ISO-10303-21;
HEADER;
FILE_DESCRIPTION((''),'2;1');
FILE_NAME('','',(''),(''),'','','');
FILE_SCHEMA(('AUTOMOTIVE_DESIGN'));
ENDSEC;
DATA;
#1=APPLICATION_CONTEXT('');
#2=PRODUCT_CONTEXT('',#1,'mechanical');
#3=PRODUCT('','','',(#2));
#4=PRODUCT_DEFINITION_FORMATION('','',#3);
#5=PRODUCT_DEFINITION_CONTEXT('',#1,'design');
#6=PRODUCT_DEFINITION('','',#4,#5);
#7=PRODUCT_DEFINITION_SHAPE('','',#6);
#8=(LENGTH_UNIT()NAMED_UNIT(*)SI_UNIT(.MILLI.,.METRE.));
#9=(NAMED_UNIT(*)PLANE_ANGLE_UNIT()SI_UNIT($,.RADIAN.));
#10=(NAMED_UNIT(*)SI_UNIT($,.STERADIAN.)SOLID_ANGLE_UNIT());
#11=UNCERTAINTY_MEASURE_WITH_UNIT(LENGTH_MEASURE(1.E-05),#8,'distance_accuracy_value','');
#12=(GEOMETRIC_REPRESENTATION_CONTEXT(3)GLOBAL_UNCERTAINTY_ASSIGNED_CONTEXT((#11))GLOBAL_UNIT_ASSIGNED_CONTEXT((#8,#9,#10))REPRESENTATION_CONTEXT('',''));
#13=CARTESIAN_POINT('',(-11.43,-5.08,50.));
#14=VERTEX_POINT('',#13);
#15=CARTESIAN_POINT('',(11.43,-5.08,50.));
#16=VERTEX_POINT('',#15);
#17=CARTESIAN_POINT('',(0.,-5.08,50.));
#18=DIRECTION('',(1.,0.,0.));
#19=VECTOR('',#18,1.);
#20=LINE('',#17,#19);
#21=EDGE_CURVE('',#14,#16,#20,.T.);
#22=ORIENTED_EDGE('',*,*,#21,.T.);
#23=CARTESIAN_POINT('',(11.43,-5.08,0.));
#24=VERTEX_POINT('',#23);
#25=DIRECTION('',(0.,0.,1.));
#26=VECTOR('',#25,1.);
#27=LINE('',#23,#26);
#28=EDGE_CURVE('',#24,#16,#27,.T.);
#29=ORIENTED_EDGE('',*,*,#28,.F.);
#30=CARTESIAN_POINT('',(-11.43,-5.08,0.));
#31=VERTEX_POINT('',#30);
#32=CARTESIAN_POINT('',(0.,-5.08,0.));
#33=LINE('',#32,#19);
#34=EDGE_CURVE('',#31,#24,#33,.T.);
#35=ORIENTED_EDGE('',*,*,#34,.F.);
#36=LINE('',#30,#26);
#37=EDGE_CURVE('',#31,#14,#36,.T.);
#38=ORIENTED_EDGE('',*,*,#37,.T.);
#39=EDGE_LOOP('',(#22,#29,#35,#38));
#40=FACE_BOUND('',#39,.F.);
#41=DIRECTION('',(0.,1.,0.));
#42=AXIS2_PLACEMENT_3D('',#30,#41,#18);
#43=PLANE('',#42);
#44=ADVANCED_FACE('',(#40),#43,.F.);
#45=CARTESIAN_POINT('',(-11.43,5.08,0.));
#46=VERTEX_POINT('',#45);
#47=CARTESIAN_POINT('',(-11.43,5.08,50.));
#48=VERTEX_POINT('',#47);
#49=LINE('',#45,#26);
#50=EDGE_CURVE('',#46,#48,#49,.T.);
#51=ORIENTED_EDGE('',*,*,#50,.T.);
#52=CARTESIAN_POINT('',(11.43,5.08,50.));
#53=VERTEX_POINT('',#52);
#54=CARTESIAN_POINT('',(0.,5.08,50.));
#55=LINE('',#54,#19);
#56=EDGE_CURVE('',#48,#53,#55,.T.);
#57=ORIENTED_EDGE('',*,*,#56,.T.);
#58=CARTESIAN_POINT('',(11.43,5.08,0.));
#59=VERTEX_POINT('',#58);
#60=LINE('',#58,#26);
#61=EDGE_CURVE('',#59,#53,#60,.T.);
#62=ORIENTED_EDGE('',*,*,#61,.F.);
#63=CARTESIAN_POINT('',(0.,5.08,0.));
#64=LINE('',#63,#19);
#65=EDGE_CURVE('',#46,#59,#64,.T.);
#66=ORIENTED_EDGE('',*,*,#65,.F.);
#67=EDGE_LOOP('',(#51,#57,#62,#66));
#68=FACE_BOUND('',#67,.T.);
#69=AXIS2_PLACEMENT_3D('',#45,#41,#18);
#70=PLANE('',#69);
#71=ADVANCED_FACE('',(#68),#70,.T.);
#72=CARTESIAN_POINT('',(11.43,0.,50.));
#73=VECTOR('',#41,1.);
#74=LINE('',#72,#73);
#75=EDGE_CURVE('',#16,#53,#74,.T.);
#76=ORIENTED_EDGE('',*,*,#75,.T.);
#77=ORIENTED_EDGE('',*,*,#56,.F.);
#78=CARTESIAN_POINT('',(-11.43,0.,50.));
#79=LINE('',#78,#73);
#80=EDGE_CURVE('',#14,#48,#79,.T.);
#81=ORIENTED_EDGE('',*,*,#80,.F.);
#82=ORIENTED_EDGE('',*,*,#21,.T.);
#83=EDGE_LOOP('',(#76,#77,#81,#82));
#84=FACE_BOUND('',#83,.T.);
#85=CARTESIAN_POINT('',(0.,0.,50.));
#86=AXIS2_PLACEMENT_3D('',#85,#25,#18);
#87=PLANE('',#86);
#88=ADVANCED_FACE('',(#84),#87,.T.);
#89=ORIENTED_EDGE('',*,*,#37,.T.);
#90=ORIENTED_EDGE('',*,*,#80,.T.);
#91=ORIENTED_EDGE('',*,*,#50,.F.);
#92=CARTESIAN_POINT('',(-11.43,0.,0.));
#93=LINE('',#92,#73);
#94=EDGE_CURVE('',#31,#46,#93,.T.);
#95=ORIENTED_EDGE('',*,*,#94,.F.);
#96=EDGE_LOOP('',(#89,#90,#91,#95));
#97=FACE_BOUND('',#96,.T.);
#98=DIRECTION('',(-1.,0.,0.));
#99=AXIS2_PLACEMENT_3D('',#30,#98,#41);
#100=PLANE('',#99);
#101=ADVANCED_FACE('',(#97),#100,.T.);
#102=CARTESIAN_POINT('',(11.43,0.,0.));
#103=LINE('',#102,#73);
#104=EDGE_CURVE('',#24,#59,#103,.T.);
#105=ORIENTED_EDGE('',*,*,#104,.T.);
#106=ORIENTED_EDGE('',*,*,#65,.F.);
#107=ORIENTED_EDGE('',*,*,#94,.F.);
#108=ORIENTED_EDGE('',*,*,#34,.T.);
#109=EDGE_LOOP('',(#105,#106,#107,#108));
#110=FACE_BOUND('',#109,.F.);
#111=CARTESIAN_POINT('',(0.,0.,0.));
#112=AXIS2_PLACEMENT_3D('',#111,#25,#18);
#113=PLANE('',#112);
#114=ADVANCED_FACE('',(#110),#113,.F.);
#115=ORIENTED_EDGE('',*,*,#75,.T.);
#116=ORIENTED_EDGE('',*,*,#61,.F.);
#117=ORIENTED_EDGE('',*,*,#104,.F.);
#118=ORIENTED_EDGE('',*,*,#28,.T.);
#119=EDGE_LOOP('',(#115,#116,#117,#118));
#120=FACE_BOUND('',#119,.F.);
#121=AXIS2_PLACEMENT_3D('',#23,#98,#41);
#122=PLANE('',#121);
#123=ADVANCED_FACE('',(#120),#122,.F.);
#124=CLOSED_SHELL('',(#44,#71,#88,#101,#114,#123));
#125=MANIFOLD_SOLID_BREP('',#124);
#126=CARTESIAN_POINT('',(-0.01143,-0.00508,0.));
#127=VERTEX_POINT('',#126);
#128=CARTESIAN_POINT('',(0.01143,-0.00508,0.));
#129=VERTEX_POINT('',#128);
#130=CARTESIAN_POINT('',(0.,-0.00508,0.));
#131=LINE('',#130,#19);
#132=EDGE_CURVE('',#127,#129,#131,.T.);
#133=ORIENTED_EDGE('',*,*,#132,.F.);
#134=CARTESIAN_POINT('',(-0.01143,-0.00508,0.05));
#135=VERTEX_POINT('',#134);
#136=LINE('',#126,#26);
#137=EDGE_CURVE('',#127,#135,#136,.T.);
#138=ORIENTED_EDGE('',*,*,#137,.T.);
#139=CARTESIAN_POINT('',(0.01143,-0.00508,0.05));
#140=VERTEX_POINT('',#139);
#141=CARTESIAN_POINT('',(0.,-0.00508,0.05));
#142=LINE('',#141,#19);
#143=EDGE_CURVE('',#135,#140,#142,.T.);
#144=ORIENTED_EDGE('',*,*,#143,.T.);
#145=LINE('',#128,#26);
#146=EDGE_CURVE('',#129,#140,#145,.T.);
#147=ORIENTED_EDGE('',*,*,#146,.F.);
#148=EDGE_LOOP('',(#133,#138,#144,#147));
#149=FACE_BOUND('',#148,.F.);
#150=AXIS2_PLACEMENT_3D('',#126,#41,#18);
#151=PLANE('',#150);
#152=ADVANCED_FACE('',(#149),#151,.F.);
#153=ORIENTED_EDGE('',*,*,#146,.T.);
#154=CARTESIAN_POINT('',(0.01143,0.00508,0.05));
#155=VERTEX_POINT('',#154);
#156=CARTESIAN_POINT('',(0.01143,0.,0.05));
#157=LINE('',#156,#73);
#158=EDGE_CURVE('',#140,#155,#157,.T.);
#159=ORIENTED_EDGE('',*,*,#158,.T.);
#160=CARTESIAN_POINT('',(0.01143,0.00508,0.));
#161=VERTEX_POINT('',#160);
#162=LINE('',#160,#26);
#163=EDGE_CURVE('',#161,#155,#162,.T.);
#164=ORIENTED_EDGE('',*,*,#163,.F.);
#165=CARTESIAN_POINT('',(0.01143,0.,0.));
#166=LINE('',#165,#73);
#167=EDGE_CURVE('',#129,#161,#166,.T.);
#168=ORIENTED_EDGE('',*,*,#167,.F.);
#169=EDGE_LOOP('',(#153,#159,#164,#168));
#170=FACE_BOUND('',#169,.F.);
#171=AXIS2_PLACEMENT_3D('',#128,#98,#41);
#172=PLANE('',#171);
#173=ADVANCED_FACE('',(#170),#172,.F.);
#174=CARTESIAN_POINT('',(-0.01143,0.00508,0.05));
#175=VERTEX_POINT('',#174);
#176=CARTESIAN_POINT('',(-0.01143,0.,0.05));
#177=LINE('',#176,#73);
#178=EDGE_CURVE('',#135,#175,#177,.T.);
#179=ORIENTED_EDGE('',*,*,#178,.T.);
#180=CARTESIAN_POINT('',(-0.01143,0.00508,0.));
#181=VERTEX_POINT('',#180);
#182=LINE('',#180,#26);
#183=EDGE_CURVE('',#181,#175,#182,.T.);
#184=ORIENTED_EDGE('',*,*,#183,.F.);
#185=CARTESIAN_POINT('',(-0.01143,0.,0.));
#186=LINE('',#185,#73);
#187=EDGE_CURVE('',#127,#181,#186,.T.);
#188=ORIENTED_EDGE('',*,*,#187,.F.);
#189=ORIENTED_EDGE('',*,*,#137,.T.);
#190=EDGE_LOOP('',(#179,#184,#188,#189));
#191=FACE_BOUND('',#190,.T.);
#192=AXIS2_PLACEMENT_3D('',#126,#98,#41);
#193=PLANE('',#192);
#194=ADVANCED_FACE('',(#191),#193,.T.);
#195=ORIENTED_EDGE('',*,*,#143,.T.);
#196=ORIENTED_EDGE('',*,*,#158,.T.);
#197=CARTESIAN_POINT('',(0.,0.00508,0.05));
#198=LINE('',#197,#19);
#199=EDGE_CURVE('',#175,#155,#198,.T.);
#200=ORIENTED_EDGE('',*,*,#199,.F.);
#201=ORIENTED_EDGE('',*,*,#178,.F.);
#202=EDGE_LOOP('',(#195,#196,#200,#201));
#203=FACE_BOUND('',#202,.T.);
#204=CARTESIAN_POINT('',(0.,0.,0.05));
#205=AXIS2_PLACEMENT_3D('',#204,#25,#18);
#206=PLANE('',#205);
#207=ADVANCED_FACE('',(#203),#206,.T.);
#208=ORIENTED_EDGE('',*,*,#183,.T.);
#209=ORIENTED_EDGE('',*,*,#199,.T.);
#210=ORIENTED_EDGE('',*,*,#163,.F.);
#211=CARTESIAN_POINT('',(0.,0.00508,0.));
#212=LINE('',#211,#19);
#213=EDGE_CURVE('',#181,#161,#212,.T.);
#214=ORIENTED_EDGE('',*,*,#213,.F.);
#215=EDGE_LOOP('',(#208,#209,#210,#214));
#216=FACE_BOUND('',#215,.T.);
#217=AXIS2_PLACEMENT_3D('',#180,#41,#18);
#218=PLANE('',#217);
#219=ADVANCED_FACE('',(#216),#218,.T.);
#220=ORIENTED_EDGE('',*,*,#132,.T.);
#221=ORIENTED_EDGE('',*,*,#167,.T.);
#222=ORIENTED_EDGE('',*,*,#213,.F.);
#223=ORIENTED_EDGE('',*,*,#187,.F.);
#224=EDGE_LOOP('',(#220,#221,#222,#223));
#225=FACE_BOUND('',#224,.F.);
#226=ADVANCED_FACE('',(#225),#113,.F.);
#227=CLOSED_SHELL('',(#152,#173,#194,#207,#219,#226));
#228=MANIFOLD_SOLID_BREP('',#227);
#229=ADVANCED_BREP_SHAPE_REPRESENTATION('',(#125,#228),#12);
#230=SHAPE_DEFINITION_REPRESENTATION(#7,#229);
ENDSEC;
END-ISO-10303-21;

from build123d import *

# Parameters (mm, degrees)
RECTANGLE_W       = 22.86
RECTANGLE_H       = 10.16
EXTRUDE_DEPTH     = 50
CLONE_SCALE_SCALE = 0.001


with BuildPart() as extrude_body:
    # Rectangle → Extrude (new body)
    with BuildSketch(Plane(origin=(-11.43, -5.08, 0), x_dir=(1, 0, 0), z_dir=(0, 0, 1))):
        with Locations((11.43, 5.08)):
            Rectangle(RECTANGLE_W, RECTANGLE_H)
    extrude(amount=EXTRUDE_DEPTH)


with BuildPart() as extrude001:
    # Clone base: copy of Extrude body
    add(extrude_body.part)


with BuildPart() as extrude001_1:
    # Clone scale: moved
    add(extrude001.part.scale(CLONE_SCALE_SCALE))


solid = Compound([extrude_body.part, extrude001_1.part])
